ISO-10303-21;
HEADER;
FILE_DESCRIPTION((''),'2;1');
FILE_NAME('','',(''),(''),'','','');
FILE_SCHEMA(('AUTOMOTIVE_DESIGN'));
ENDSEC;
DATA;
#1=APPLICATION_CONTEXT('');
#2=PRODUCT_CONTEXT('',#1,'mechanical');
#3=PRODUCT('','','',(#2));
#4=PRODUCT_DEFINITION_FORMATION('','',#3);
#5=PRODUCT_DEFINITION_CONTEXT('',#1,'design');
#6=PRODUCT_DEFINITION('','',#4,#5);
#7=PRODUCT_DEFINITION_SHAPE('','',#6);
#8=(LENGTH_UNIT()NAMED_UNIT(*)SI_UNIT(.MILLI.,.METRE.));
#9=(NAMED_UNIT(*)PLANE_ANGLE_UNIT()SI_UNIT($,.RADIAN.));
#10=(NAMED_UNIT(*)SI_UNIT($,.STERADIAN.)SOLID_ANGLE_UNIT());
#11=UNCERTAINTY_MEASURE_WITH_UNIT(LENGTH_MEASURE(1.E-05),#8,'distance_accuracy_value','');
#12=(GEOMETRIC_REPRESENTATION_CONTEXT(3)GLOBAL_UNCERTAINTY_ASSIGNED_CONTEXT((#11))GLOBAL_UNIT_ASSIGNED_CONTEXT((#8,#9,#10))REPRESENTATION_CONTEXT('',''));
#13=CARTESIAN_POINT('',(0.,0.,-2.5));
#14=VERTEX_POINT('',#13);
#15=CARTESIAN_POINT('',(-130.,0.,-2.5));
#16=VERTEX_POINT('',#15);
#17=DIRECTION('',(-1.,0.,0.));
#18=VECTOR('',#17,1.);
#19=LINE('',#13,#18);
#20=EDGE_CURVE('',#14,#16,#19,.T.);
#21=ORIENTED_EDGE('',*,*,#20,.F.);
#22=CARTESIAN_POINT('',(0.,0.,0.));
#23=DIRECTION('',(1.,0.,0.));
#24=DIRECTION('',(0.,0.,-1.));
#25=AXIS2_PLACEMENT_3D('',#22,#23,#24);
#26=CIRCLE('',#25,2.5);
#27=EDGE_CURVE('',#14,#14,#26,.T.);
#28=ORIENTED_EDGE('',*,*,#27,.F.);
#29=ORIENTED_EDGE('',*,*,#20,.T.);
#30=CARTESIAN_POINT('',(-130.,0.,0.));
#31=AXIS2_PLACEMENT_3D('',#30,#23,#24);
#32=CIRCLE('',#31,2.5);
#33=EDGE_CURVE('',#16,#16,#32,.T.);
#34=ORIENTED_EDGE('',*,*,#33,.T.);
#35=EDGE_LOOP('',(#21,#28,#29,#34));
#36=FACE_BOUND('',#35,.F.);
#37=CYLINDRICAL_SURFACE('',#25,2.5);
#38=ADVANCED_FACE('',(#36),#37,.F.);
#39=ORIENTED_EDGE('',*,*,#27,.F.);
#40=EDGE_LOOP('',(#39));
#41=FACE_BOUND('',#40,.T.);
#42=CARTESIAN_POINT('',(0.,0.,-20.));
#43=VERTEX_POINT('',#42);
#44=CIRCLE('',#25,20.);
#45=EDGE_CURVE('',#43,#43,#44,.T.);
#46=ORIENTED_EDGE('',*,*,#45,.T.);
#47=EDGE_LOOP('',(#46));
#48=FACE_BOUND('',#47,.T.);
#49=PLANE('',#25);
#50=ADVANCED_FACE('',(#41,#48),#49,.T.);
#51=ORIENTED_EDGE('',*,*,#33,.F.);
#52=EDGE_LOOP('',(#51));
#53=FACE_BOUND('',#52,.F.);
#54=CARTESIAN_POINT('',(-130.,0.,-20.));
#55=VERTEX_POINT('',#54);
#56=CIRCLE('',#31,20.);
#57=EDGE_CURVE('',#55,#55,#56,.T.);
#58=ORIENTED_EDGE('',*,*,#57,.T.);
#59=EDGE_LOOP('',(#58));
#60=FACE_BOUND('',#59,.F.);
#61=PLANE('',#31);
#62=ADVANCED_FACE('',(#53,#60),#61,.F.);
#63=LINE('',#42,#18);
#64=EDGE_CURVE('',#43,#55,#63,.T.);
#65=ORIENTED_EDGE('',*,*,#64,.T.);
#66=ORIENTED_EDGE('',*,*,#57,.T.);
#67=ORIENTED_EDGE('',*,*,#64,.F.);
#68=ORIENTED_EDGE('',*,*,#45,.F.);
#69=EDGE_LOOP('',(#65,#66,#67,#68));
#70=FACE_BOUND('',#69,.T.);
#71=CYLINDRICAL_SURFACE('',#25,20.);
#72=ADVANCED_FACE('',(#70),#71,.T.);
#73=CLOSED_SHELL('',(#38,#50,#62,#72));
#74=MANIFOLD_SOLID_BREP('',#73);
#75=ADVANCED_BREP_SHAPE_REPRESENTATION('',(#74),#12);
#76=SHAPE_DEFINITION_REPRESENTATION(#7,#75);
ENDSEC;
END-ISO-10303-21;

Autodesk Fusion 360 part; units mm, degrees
sketch "Sketch1" plane through (0, 0, 0) normal (1, 0, 0) x (0, 0, -1)
  circle A0 centre (0, 0) radius 20
  circle A1 centre (0, 0) radius 2.5
  dimension "d3" = 5
extrude "Extrude1" add sketch "Sketch1" against normal blind 130
